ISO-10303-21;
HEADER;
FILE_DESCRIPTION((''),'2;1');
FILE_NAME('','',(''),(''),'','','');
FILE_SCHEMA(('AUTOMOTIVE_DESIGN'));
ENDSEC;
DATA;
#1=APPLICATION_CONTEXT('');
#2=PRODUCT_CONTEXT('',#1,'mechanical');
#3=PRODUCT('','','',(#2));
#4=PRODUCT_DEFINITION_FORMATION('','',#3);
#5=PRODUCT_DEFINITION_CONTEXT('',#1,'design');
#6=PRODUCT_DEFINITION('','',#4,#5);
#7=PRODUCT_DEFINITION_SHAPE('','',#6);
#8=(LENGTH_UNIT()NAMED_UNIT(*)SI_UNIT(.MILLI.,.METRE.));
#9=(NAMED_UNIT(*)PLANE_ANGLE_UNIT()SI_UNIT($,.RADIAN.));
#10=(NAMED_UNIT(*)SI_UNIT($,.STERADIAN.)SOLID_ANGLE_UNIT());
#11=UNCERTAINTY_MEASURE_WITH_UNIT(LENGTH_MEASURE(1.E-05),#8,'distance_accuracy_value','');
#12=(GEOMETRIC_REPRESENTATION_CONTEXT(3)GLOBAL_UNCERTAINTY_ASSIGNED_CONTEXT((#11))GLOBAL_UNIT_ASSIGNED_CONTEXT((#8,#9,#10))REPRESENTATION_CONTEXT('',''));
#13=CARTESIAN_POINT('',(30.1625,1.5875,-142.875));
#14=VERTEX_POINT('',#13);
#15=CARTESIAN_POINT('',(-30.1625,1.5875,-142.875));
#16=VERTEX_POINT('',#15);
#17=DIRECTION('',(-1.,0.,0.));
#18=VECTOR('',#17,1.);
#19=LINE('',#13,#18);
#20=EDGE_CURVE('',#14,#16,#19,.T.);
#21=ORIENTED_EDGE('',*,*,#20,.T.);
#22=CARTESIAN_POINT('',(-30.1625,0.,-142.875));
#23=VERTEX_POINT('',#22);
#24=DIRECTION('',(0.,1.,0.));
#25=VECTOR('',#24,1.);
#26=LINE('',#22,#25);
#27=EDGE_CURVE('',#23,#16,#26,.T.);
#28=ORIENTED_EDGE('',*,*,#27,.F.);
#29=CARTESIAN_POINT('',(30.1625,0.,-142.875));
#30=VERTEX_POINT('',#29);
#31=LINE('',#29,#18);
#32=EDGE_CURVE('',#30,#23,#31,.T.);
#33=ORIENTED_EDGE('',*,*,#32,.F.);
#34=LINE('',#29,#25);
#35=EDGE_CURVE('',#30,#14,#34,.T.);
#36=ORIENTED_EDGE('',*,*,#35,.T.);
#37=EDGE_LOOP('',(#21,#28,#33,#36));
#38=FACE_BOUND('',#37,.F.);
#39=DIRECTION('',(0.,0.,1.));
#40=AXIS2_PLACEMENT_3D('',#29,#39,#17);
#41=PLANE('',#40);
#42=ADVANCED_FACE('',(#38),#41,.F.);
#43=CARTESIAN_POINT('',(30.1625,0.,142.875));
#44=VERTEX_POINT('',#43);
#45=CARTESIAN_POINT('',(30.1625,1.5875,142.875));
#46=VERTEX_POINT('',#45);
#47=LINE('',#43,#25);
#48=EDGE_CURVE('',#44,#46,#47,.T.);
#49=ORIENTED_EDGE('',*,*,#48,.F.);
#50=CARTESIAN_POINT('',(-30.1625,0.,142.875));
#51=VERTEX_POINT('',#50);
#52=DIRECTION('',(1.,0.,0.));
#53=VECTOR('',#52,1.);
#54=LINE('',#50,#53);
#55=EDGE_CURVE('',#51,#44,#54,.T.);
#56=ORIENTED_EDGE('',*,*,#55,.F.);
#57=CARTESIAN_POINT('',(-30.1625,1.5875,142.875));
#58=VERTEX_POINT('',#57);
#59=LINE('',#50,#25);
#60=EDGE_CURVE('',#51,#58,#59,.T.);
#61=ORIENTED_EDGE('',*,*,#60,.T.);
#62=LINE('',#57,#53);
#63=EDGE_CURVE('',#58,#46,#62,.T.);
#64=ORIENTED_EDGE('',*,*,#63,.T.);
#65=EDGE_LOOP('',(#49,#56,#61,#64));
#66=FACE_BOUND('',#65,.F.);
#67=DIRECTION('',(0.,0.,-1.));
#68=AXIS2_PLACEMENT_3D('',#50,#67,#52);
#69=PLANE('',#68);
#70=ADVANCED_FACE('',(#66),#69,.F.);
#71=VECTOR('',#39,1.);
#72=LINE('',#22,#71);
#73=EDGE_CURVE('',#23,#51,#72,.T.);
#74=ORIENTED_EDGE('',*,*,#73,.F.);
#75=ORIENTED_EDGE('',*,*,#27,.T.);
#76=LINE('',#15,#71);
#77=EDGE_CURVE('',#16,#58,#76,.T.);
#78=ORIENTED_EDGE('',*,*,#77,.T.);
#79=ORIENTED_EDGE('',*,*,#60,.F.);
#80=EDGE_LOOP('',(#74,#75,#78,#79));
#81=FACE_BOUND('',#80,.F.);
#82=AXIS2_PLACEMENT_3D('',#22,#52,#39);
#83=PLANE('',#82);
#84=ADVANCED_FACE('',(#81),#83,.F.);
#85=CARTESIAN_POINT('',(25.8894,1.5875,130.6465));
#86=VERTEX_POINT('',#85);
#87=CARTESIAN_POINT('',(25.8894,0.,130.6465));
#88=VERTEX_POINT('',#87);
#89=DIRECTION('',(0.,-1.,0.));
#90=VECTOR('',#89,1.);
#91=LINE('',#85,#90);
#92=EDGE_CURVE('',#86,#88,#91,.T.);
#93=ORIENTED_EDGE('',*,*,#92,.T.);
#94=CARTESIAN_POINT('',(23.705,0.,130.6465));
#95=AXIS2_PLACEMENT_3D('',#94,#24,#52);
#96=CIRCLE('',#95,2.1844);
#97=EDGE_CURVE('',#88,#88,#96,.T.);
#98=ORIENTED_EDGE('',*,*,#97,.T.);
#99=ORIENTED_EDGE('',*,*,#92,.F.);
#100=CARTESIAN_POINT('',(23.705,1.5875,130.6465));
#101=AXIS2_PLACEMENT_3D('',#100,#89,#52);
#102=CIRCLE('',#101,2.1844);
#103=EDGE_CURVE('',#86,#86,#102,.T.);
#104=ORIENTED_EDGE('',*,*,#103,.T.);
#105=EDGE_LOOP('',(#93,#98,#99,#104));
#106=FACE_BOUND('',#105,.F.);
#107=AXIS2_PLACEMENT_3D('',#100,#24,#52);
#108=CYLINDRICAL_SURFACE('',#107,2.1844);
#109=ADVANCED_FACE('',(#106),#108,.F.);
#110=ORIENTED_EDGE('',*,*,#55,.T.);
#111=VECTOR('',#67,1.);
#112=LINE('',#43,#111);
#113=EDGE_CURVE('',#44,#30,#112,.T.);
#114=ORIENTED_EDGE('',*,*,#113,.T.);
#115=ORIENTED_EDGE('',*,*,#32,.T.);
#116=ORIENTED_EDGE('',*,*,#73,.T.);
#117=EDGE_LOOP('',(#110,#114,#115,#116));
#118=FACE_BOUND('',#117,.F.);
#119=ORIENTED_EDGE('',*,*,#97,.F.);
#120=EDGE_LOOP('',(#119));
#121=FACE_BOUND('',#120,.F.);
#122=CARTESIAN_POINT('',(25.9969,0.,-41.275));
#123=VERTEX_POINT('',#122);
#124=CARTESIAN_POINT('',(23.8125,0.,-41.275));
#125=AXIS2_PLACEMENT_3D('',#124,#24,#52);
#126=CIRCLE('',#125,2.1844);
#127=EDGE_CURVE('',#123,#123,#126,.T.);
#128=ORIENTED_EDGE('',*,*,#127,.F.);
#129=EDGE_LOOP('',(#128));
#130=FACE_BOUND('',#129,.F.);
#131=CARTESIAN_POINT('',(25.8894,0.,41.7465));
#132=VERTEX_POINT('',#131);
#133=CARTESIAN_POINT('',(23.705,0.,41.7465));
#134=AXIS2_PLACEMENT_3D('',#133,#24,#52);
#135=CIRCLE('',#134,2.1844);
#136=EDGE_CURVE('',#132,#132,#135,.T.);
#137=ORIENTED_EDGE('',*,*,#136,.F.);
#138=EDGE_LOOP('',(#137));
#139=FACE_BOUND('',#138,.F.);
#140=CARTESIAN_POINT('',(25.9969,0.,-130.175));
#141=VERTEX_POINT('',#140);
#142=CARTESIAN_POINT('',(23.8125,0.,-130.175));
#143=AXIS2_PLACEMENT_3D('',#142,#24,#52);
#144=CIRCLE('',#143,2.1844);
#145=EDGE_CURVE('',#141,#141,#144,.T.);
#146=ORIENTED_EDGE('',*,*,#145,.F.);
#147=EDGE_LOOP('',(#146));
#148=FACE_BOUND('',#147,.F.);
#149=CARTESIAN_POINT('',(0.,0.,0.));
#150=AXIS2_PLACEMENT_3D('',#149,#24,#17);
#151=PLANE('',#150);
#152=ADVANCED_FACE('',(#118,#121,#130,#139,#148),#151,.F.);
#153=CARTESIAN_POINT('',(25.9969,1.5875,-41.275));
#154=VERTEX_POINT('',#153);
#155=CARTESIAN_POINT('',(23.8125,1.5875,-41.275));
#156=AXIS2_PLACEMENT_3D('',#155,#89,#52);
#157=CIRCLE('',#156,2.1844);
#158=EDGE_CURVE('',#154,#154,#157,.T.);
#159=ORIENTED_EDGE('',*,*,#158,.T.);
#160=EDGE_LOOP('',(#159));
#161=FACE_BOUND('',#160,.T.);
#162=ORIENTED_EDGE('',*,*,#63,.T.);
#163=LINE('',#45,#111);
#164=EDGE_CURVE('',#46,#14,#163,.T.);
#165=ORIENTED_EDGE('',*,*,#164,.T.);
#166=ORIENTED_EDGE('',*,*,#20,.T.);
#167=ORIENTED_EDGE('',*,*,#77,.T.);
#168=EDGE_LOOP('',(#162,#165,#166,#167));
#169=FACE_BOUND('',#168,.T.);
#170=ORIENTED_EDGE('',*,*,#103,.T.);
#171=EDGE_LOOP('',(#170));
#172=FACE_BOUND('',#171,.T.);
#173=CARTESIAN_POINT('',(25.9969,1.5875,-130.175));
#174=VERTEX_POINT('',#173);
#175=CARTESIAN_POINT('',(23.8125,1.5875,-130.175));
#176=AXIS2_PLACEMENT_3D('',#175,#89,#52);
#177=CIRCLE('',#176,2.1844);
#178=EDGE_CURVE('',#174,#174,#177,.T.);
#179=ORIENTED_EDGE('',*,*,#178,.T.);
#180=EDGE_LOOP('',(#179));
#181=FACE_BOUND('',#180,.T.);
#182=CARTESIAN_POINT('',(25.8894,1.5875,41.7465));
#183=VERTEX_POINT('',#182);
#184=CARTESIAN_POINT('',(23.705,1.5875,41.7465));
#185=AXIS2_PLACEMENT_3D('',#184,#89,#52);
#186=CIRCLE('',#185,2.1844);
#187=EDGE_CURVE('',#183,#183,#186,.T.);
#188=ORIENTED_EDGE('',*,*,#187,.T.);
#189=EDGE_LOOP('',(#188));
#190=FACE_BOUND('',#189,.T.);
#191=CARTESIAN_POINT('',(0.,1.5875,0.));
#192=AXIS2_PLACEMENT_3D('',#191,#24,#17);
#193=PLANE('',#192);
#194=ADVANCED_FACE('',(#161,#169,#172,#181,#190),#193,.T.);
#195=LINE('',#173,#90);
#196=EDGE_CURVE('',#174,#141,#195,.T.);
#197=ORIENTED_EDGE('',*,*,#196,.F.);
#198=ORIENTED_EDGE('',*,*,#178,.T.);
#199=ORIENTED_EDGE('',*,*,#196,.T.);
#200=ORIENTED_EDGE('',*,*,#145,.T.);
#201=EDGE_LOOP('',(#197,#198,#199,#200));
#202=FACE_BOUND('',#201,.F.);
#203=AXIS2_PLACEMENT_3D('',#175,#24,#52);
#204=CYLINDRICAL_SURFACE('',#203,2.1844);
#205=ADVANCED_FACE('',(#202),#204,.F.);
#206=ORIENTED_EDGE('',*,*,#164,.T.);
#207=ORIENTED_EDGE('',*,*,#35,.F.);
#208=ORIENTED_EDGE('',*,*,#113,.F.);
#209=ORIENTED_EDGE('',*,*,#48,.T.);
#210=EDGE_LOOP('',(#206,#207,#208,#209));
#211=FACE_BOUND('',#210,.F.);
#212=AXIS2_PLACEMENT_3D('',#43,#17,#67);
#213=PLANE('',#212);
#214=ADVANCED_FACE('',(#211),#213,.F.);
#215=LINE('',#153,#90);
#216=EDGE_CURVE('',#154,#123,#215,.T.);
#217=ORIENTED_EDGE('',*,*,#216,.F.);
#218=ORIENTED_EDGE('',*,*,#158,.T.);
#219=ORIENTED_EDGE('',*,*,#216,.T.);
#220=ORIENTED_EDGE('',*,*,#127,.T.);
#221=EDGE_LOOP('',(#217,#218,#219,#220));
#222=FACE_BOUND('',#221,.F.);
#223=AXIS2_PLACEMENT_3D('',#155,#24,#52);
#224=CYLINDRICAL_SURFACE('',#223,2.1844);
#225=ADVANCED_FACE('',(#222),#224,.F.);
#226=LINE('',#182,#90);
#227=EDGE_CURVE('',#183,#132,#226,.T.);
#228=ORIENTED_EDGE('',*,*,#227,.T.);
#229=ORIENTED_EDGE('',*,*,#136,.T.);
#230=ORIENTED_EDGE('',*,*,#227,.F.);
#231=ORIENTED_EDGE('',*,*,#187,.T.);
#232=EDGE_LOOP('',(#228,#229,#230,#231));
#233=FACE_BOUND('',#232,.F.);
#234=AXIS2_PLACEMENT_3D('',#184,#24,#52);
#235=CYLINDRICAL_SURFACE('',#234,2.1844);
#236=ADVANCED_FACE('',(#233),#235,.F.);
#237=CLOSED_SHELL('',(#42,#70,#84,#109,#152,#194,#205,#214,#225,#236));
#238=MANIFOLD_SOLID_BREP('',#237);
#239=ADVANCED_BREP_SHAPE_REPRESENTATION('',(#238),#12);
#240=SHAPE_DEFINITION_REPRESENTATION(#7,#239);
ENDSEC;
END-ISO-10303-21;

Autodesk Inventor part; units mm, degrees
ref_plane "YZ Plane" through (0, 0, 0) normal (1, 0, 0) x (0, 1, 0)
ref_plane "XZ Plane" through (0, 0, 0) normal (0, 1, 0) x (-1, 0, 0)
ref_plane "XY Plane" through (0, 0, 0) normal (0, 0, 1) x (1, 0, 0)
sketch "Sketch1" plane through (0, 0, 0) normal (0, 1, 0) x (-1, 0, 0)
  line L0 (-30.1625, -142.875) -> (30.1625, -142.875)
  line L1 (30.1625, -142.875) -> (30.1625, 142.875)
  line L2 (30.1625, 142.875) -> (-30.1625, 142.875)
  line L3 (-30.1625, 142.875) -> (-30.1625, -142.875)
  line L4 (-30.1625, -142.875) -> (30.1625, 142.875) construction
  line L5 (30.1625, -142.875) -> (-30.1625, 142.875) construction
  point P0 (0, 0)
  dimension "d0" = 60.325
  dimension "d1" = 285.75
extrude "Extrusion1" add sketch "Sketch1" along normal blind 1.5875
sketch "Sketch2" plane through (0, 1.5875, 0) normal (0, 1, 0) x (1, 0, 0)
  line L0 (30.055, -143.3465) -> (23.705, -143.3465)
  line L1 (23.705, -143.3465) -> (23.705, -130.6465)
  line L2 (23.705, -130.6465) -> (23.705, -41.7465)
  circle A0 centre (23.705, -130.6465) radius 2.1844
  circle A1 centre (23.705, -41.7465) radius 2.1844
  line L3 (30.1625, -142.875) -> (30.1625, 142.875) projected
  line L4 (30.1625, 142.875) -> (23.8125, 142.875)
  line L5 (23.8125, 142.875) -> (23.8125, 130.175)
  line L6 (23.8125, 130.175) -> (23.8125, 41.275)
  circle A2 centre (23.8125, 41.275) radius 2.1844
  circle A3 centre (23.8125, 130.175) radius 2.1844
  point P0 (0, 0)
  dimension "d4" = 6.35
  dimension "d5" = 12.7
  dimension "d6" = 88.9
  dimension "d7" = 4.3688
  dimension "d8" = 4.3688
  dimension "d9" = 6.35
  dimension "d10" = 12.7
  dimension "d11" = 88.9
  dimension "d12" = 4.3688
  dimension "d16" = 4.3688
extrude "Extrusion2" cut sketch "Sketch2" against normal blind 1.5875
equation "\"BendRadius\" = Thickness"
equation "\"BendReliefWidth\" = Thickness"
equation "\"BendReliefDepth\" = 0.5 * Thickness"
equation "\"CornerReliefSize\" = 4 * Thickness"
equation "\"MinimumRemnant\" = 2 * Thickness"
equation "\"TransitionRadius\" = BendRadius"
equation "\"JacobiRadiusSize\" = BendRadius"
equation "\"GapSize\" = Thickness"
equation "\"Thickness\" = 1.5875"
properties part number "Bowling-Plastic" material "Polycarbonate, Clear"
